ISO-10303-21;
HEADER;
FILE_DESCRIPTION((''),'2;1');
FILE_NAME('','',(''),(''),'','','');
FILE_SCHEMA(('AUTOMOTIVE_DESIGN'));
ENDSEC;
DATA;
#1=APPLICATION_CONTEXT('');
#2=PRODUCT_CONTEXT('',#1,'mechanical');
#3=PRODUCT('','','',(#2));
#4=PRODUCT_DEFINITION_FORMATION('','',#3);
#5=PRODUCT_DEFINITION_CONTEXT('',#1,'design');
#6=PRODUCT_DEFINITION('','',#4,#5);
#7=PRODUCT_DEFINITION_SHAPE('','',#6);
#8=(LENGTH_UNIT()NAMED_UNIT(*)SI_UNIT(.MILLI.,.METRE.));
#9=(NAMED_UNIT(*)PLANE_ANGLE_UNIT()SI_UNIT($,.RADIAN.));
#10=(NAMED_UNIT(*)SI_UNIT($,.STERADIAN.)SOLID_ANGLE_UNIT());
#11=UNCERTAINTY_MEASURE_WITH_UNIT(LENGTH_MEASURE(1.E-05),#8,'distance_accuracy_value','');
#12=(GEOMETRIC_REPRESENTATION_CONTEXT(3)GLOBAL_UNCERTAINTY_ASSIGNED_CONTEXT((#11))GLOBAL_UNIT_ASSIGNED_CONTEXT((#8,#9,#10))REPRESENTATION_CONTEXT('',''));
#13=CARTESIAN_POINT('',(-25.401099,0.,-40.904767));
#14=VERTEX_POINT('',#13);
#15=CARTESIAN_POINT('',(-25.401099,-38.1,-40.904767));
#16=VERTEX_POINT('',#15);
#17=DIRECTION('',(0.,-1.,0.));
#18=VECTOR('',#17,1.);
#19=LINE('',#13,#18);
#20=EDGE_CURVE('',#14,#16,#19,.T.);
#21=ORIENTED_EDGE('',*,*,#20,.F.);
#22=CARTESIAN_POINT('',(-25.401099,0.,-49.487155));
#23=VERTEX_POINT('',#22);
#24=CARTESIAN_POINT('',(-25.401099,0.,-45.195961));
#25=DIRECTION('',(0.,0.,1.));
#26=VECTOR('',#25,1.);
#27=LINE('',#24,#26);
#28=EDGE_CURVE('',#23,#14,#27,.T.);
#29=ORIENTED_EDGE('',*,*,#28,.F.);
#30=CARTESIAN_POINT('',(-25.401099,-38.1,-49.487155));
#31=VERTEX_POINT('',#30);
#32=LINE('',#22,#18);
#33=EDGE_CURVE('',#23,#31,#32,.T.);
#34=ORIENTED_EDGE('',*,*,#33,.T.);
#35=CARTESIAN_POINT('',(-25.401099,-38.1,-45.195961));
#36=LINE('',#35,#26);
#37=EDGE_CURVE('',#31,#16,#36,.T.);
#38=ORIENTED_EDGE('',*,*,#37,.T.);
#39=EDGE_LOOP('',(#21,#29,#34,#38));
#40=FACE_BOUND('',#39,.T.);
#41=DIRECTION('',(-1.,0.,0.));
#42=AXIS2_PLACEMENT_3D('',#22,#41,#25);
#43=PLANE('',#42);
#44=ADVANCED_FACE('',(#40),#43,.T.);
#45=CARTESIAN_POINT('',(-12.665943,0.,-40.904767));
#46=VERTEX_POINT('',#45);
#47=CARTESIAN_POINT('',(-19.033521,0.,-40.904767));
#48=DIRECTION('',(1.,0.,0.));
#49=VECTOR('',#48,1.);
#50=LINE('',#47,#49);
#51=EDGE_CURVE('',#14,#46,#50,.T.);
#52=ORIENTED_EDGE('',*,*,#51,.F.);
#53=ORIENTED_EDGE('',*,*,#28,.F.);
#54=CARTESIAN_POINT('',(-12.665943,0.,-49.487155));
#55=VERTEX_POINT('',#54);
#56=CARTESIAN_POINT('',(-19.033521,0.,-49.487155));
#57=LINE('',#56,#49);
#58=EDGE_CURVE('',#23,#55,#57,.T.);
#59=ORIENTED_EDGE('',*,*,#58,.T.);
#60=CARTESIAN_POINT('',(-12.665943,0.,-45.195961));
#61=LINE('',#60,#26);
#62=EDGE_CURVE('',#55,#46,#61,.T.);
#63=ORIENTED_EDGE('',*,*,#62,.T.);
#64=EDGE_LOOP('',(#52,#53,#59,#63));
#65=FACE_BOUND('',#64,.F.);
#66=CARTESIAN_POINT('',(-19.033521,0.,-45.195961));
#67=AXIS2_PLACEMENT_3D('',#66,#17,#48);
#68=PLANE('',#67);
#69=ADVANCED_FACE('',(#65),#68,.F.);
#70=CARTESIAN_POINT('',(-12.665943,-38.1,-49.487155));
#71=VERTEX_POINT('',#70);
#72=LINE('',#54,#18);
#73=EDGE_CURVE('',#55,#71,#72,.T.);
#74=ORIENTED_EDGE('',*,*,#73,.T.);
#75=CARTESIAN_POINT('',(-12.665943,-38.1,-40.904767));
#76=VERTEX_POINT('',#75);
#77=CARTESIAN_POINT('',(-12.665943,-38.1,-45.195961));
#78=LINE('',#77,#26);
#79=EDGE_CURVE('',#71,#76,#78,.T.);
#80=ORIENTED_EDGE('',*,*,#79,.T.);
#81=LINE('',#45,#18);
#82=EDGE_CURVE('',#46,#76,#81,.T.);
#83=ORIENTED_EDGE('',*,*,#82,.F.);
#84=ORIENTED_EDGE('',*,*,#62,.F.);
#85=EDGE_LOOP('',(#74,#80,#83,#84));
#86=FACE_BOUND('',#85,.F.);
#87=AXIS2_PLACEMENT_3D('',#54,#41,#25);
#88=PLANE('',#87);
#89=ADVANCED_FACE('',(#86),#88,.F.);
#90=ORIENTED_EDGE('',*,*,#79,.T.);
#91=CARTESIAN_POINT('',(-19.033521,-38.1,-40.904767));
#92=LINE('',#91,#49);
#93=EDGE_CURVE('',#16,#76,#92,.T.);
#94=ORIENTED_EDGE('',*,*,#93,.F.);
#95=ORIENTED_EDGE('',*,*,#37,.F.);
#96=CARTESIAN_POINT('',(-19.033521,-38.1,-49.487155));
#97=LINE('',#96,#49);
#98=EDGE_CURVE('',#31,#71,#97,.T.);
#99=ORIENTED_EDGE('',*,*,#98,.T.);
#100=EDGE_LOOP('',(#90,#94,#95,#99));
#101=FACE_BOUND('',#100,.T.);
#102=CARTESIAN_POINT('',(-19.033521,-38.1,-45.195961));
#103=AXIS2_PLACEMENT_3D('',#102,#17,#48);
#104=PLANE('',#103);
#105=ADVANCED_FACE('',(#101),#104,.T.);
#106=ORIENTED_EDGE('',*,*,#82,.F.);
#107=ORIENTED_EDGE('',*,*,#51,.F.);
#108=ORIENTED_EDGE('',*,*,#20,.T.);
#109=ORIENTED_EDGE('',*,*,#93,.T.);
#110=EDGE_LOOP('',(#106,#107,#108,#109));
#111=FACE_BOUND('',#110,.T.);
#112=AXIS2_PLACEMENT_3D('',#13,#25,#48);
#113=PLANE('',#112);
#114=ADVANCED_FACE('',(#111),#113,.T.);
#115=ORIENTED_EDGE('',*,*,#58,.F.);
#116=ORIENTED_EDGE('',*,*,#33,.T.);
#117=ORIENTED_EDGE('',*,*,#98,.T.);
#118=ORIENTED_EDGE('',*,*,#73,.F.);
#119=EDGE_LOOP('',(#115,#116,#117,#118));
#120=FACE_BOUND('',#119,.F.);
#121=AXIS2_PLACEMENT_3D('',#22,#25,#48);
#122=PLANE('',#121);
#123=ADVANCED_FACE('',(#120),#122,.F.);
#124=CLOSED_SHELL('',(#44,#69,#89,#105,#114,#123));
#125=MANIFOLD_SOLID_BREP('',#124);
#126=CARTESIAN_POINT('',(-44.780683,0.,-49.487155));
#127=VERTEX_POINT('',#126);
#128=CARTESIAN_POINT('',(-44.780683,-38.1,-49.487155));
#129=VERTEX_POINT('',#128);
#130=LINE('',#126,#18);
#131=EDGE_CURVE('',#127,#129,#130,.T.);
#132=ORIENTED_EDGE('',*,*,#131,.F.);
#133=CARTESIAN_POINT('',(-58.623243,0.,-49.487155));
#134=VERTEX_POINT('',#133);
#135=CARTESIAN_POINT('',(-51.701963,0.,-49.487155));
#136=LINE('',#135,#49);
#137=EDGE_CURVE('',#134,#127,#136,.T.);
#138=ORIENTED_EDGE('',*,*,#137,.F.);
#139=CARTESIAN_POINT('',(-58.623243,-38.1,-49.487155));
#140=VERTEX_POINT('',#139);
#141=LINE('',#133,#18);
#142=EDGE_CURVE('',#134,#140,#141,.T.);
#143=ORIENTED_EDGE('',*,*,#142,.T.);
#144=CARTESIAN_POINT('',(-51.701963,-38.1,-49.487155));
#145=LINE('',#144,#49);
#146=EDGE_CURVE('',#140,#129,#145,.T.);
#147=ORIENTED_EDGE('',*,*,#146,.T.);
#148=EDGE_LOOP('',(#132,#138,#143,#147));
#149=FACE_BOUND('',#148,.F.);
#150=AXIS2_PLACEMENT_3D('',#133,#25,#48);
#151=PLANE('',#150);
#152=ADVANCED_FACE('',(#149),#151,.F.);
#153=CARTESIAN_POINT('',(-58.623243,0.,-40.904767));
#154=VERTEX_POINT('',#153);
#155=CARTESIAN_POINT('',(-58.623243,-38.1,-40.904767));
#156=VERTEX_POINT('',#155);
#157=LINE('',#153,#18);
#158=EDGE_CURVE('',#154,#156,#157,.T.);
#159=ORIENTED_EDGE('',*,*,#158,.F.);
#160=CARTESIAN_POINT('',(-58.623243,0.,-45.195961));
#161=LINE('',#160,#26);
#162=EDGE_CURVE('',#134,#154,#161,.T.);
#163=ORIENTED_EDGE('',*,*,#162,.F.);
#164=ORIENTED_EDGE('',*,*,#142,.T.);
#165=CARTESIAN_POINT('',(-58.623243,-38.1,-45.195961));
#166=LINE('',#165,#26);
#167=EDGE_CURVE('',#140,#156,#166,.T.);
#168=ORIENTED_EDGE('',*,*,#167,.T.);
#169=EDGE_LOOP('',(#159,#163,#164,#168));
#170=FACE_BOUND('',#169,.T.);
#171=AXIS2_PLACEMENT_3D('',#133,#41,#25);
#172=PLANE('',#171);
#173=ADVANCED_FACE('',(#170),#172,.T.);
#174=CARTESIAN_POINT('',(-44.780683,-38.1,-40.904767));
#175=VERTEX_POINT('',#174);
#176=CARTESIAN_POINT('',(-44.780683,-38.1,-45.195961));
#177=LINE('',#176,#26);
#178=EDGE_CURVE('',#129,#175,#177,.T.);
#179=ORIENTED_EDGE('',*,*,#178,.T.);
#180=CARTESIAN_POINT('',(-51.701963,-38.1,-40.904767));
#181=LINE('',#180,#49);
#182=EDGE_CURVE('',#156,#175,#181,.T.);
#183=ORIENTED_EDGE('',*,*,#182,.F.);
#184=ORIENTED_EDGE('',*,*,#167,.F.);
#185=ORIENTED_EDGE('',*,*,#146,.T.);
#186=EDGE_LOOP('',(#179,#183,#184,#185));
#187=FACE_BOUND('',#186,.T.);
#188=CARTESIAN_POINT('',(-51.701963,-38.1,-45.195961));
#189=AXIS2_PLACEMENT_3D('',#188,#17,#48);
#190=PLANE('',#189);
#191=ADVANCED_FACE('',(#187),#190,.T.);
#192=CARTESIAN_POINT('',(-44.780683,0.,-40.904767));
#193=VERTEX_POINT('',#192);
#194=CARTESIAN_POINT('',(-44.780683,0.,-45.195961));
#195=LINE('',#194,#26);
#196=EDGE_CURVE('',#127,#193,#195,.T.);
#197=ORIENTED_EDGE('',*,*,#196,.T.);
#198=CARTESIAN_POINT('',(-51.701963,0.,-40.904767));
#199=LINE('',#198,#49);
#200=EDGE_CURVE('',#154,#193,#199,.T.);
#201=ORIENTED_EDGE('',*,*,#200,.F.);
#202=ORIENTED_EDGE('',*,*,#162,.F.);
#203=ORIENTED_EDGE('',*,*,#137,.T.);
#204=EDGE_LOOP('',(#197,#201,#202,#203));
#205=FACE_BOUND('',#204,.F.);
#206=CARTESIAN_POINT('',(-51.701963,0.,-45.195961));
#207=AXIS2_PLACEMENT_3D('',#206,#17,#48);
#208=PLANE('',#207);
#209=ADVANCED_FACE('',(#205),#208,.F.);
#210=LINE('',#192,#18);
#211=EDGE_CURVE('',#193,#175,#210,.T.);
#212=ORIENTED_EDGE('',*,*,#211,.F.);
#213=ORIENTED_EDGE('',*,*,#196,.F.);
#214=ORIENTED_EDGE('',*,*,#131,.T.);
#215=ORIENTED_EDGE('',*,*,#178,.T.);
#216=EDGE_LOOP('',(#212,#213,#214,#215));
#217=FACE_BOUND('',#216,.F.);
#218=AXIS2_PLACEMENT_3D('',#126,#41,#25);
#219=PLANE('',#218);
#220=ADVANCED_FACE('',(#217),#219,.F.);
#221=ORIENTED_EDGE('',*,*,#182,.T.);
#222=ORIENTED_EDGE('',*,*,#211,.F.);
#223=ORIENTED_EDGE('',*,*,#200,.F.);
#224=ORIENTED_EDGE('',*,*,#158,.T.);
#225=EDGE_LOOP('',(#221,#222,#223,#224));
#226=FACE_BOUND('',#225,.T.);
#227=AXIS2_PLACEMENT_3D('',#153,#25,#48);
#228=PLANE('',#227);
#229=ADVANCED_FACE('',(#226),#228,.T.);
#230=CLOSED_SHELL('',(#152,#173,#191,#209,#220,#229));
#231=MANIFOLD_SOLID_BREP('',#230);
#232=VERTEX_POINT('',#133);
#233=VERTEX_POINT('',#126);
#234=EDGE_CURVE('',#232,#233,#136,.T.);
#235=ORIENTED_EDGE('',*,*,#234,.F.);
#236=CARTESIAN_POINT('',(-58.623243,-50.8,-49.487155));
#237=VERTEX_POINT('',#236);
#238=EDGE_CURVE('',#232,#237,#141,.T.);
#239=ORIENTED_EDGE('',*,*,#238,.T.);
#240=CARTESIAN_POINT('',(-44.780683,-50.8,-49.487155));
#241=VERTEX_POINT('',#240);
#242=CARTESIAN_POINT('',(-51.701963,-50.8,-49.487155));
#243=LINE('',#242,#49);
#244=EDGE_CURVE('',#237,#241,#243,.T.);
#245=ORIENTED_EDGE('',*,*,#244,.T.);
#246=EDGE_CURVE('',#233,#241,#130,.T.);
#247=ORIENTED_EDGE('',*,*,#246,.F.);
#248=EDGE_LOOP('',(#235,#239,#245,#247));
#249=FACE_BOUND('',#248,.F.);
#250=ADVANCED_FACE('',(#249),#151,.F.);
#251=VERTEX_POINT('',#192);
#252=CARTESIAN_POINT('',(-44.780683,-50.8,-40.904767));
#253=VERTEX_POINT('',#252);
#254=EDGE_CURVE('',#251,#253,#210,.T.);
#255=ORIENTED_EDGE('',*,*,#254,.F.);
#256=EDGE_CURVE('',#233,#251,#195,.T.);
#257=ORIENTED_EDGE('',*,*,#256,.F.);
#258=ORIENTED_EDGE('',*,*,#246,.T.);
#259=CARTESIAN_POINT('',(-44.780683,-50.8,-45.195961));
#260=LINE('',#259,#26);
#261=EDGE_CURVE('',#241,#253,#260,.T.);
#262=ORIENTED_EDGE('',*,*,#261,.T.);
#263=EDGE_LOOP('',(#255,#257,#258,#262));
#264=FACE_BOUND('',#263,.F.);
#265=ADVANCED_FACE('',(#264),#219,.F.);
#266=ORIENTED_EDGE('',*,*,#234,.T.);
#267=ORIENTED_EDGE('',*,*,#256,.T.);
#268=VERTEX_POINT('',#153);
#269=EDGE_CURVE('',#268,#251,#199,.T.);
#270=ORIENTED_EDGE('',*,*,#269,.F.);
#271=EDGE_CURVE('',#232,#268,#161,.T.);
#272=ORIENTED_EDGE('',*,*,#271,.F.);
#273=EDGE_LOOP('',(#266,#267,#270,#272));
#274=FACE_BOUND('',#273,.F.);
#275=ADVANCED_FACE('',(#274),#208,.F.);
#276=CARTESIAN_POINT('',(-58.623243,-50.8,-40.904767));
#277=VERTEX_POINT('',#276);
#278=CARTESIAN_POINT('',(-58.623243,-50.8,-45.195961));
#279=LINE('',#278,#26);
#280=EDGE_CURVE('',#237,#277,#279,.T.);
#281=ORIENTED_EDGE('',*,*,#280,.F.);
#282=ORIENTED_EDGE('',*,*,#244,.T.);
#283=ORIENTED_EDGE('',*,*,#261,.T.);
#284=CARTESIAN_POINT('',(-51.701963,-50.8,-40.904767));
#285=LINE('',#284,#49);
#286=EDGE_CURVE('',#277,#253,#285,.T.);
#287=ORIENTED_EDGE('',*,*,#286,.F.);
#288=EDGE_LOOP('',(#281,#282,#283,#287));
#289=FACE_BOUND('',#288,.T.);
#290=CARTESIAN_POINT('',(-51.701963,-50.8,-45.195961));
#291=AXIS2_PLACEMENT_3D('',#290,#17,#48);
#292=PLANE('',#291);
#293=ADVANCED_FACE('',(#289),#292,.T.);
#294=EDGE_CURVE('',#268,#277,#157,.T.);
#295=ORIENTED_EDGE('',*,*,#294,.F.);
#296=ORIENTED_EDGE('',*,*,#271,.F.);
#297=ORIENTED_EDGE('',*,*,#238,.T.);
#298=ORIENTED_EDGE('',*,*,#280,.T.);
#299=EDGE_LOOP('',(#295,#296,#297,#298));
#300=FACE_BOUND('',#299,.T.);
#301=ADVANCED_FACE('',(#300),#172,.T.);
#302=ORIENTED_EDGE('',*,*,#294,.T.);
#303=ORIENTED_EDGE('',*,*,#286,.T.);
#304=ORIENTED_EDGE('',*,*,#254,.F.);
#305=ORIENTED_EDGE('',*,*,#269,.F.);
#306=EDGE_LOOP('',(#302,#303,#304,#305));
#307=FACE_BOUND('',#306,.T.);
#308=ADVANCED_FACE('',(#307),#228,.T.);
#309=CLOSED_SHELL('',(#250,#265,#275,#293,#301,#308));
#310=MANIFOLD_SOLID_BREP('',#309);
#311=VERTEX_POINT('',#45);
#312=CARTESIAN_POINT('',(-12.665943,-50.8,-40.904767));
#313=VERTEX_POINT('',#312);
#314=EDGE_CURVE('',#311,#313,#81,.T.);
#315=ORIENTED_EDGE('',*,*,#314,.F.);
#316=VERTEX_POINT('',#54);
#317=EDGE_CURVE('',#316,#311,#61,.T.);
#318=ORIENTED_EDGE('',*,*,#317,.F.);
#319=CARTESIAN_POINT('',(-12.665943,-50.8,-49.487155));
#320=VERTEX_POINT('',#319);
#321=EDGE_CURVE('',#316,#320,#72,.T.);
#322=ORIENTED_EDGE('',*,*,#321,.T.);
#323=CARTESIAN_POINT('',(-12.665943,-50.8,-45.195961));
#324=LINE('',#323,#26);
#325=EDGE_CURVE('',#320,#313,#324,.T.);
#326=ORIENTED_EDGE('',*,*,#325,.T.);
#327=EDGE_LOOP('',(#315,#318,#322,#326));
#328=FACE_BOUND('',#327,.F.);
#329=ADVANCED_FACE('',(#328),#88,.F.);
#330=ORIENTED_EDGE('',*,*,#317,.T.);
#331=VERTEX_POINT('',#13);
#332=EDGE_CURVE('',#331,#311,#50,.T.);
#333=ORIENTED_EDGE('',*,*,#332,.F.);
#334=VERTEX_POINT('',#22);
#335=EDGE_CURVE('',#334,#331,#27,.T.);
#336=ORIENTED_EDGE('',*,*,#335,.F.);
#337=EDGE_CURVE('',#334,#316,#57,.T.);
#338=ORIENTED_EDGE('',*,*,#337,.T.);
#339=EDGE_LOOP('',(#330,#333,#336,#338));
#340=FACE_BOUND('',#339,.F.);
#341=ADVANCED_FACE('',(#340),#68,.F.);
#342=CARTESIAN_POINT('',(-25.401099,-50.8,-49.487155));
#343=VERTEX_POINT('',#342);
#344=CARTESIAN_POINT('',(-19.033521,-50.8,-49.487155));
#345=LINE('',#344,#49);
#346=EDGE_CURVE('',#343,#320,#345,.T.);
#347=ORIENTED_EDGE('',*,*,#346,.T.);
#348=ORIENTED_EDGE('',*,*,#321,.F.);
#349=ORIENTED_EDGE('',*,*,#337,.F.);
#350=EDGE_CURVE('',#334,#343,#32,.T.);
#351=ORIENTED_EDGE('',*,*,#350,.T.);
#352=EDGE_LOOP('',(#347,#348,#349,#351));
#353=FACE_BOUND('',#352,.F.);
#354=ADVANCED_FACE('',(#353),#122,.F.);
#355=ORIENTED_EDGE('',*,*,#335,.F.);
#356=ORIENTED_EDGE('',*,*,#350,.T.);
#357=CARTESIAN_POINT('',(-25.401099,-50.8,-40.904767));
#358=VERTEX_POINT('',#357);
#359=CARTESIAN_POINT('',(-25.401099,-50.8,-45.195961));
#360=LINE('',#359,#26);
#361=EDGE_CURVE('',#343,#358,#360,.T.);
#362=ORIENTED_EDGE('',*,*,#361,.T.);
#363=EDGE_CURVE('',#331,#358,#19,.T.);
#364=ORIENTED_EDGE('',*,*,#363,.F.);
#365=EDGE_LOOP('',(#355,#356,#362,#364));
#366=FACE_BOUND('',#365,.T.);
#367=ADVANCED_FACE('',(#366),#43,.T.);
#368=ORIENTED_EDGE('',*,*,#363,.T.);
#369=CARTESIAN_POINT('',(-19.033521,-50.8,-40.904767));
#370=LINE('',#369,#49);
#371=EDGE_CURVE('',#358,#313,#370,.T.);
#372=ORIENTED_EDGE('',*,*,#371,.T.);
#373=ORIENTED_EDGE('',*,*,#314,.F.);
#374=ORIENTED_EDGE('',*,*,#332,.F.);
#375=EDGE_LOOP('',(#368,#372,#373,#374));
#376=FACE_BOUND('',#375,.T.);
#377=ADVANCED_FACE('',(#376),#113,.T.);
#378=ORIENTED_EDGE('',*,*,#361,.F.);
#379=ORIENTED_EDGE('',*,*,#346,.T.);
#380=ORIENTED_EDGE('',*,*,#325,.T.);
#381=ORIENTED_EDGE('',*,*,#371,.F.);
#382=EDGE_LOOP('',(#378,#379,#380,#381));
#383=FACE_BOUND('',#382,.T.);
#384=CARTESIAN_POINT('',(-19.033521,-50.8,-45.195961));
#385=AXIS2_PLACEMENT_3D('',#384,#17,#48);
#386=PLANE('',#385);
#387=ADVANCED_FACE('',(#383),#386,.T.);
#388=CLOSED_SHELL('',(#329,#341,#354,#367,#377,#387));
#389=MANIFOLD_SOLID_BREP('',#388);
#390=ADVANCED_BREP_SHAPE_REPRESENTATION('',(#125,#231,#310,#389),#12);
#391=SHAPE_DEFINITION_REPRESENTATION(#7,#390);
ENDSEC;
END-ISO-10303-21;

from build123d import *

# Parameters (mm, degrees)
F0_W     = 13.84256
F0_H     = 8.582387
F0_W_2   = 12.735156
F1_DEPTH = 50.8
F2_DEPTH = 38.1


with BuildPart() as f1:
    # F0 (on Front) → F1 (new body)
    with BuildSketch(Plane.XZ):
        with Locations((-51.701963, -45.195961)):
            Rectangle(F0_W, F0_H)
        with Locations((-19.033521, -45.195961)):
            Rectangle(F0_W_2, F0_H)
    extrude(amount=F1_DEPTH)


with BuildPart() as f2:
    # F0 (on Front) → F2 (new body)
    with BuildSketch(Plane.XZ):
        with Locations((-51.701963, -45.195961)):
            Rectangle(F0_W, F0_H)
        with Locations((-19.033521, -45.195961)):
            Rectangle(F0_W_2, F0_H)
    extrude(amount=F2_DEPTH)


solid = Compound([f1.part, f2.part])
